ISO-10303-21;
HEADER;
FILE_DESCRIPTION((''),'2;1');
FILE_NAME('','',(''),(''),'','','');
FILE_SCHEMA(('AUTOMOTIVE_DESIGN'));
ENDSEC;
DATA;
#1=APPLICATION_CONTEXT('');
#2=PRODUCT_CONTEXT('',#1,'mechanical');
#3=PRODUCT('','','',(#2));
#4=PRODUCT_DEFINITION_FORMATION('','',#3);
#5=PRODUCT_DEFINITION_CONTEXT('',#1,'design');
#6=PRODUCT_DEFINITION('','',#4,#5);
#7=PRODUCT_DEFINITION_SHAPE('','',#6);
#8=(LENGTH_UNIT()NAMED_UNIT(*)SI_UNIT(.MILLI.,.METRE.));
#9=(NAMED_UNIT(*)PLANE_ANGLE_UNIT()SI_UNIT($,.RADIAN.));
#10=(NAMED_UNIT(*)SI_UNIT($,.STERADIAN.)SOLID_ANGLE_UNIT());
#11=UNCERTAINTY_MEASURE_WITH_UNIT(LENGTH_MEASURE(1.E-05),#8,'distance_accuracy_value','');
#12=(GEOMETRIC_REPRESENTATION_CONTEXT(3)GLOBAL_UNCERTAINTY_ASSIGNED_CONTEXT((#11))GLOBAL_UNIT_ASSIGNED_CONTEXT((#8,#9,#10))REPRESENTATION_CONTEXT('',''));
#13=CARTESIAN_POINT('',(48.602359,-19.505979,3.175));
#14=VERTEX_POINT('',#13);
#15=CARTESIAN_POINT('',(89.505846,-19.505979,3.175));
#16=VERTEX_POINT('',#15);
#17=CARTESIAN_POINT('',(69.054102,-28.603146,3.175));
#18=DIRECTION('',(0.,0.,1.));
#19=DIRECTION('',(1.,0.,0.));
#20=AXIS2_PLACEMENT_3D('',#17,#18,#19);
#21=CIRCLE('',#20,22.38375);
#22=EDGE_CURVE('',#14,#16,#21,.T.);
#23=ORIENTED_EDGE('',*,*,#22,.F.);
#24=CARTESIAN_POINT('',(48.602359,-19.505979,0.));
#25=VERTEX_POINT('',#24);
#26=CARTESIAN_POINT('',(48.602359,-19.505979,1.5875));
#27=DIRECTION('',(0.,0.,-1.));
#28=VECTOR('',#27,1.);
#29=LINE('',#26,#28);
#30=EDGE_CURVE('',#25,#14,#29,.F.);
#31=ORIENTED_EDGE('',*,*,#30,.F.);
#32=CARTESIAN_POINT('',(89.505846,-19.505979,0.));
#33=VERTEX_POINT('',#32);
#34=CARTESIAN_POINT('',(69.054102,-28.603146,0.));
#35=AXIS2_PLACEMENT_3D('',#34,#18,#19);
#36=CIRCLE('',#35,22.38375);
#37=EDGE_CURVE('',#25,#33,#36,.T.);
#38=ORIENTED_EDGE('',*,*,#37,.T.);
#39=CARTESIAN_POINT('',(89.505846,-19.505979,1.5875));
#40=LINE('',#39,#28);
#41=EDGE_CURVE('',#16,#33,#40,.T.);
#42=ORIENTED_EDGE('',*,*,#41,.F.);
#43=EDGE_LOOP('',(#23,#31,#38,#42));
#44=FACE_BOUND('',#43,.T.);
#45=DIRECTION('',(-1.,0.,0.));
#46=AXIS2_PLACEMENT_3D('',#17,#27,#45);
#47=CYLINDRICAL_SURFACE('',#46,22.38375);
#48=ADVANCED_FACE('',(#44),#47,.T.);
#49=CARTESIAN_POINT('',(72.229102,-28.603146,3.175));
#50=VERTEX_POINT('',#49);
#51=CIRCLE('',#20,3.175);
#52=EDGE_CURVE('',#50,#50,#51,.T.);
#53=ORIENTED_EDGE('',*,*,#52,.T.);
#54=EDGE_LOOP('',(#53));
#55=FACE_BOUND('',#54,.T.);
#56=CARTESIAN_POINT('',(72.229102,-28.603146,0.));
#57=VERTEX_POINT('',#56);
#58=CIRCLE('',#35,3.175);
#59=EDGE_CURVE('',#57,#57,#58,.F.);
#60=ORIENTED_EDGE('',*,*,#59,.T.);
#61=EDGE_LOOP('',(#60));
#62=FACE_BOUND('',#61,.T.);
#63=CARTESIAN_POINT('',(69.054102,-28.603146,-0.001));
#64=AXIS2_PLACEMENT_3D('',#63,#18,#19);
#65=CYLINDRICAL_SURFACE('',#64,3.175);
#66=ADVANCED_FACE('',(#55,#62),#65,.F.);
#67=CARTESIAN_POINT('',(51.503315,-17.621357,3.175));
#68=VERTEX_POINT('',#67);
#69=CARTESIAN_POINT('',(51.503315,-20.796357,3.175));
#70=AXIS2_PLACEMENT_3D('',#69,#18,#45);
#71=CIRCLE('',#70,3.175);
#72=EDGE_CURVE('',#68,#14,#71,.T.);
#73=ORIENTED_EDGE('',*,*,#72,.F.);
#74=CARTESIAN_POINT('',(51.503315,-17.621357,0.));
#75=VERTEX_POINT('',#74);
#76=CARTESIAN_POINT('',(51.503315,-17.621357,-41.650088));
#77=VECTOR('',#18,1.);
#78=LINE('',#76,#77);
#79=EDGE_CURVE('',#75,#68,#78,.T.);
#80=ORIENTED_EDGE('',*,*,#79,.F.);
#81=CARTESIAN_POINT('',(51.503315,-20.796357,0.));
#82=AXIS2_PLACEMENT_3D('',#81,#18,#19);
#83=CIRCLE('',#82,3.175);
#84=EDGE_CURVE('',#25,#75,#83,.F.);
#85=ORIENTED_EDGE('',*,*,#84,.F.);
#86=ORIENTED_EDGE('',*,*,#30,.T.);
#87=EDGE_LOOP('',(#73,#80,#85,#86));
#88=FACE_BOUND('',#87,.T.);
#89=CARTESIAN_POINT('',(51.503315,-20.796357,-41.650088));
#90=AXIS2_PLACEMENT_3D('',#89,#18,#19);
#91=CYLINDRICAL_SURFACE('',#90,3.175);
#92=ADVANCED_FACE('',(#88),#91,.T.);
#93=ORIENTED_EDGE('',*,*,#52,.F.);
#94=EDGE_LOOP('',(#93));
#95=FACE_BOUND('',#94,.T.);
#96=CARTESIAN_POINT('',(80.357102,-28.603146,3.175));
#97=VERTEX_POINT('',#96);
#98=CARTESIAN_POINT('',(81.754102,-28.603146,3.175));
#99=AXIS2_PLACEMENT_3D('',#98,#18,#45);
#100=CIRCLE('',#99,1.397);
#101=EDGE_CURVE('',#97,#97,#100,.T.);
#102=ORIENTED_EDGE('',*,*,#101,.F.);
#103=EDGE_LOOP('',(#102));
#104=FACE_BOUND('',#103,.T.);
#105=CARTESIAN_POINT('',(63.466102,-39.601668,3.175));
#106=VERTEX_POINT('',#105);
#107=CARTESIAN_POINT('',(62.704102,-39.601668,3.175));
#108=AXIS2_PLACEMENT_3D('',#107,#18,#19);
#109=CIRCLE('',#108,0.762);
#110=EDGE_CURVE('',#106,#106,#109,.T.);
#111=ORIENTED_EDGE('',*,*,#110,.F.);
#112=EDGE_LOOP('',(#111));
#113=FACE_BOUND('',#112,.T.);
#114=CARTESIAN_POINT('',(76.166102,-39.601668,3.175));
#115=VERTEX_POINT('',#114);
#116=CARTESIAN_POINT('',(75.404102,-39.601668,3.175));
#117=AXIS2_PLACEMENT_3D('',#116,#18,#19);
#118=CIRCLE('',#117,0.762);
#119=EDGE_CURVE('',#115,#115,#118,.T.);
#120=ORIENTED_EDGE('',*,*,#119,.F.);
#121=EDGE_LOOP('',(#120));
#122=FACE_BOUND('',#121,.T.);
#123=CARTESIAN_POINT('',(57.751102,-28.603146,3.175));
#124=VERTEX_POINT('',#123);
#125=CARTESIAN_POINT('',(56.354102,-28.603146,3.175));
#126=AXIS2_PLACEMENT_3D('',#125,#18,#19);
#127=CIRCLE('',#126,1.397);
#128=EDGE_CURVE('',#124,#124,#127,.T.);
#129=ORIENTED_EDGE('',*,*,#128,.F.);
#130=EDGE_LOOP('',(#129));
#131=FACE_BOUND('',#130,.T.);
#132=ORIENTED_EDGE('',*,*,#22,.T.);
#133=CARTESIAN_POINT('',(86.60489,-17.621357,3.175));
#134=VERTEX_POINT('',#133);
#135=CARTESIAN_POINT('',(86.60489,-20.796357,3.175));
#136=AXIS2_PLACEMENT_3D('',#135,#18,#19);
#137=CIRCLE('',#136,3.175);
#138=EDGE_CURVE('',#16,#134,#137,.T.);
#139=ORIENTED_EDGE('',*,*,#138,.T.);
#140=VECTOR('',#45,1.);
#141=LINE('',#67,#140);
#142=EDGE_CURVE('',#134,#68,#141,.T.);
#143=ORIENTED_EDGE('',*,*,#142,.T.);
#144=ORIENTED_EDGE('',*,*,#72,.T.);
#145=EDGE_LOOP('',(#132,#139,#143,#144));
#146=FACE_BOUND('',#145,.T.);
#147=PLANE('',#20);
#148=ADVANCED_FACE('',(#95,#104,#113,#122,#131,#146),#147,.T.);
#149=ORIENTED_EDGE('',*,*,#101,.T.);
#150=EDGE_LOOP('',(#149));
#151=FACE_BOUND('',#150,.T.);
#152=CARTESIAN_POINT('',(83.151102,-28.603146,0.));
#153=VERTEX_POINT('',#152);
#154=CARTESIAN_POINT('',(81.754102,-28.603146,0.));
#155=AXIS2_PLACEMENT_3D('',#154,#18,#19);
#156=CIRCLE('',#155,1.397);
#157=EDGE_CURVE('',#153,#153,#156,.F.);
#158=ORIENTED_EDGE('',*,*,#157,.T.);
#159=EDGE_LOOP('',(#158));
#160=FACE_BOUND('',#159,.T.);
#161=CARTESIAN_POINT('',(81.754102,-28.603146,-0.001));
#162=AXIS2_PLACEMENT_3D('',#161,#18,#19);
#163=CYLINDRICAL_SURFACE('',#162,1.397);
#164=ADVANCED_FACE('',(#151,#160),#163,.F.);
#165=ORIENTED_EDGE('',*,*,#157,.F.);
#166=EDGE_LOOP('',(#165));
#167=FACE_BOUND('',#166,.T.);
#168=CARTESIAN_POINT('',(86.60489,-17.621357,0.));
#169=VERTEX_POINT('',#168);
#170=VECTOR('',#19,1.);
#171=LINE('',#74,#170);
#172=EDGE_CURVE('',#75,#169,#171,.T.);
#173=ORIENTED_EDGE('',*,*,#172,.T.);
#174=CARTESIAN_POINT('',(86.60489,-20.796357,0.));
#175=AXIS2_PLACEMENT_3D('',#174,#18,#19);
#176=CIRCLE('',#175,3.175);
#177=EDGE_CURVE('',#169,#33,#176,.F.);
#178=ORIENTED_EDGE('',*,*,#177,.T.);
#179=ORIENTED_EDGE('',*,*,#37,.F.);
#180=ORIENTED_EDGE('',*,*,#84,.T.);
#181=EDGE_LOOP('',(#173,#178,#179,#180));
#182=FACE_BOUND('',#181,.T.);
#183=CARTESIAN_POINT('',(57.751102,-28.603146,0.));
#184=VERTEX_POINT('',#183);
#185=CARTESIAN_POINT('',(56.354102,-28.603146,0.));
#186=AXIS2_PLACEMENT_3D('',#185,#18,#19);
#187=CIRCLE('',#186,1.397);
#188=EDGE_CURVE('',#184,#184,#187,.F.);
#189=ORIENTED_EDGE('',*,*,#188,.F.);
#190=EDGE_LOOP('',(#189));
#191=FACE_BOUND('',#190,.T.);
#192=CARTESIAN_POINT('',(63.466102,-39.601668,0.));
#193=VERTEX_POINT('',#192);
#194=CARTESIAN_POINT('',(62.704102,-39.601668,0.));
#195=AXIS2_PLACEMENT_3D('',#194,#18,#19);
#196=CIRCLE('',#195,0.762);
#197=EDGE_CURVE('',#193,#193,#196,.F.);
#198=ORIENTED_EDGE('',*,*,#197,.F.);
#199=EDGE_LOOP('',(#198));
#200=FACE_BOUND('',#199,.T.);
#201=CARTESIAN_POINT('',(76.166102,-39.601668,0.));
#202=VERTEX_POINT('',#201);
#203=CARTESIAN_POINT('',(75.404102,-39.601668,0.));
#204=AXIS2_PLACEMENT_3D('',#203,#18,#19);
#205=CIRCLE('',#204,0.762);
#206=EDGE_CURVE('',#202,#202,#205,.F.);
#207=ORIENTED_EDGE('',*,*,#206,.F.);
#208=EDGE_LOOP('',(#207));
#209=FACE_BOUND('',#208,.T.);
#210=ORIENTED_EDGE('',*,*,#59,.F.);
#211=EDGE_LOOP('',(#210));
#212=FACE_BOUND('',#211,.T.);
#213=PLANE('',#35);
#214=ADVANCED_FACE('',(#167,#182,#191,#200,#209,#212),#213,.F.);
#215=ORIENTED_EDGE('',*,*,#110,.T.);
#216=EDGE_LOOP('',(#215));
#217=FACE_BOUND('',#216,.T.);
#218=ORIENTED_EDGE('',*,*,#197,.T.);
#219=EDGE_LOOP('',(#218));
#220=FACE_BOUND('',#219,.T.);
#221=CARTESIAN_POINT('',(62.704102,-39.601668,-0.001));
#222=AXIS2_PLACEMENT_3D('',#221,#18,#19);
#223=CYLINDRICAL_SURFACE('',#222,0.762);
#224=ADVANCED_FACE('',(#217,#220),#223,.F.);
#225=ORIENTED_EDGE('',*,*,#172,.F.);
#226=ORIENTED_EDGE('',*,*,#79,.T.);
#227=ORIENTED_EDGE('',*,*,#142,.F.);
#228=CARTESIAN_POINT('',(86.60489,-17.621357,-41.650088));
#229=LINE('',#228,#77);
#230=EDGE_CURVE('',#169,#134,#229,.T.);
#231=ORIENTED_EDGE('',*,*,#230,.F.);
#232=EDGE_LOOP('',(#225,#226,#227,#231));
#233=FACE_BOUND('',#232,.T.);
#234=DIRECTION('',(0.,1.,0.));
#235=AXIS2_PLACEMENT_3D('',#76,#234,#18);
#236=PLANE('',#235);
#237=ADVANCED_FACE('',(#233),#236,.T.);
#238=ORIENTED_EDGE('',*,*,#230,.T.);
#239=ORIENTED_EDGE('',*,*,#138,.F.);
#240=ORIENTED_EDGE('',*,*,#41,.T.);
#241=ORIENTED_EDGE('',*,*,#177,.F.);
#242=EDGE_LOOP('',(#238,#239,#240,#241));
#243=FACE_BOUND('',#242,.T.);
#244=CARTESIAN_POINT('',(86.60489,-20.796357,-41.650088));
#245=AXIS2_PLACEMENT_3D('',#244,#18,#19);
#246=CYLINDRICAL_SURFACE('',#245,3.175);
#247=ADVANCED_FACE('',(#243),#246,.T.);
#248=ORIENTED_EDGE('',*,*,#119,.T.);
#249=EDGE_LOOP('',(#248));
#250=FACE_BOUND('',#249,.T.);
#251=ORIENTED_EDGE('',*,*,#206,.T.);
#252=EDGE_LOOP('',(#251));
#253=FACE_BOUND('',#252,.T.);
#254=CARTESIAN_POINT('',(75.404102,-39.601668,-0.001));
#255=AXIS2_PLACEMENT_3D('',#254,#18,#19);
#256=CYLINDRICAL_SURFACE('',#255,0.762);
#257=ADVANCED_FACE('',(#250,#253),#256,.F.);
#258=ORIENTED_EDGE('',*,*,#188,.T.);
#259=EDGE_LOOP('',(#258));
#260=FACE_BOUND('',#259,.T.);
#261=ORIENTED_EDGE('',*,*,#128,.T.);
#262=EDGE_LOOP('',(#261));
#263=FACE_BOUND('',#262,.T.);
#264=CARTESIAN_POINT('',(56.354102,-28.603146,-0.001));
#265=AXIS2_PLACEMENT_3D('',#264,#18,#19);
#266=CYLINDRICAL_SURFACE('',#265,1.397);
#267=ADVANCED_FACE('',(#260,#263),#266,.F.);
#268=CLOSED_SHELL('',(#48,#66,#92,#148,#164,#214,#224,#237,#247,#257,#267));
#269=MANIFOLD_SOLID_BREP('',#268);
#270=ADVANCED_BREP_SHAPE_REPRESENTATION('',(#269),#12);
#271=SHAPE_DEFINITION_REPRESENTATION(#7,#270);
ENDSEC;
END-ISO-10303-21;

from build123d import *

# Parameters (mm, degrees)
SKETCH1_R           = 22.38375
BOSS_EXTRUDE1_DEPTH = 3.175
CUT_EXTRUDE1_REACH  = 5.175
SKETCH2_R           = 38.03700281
CUT_EXTRUDE3_REACH  = 5.175
SKETCH4_R           = 1.397
SKETCH4_R_2         = 0.762
BOSS_EXTRUDE2_DEPTH = 3.175
CUT_EXTRUDE4_REACH  = 5.175
SKETCH8_R           = 3.175


with BuildPart() as part:
    # Sketch1 → Boss-Extrude1 (new body)
    with BuildSketch(Plane.XY):
        with Locations((69.054102373, -28.60314574)):
            Circle(SKETCH1_R)
    extrude(amount=BOSS_EXTRUDE1_DEPTH)

    # Sketch2 → Cut-Extrude1 (cut, up to next)
    with BuildSketch(Plane.XY.offset(3.175), mode=Mode.PRIVATE) as cut_extrude1_sk1:
        with Locations((69.054102373, 12.564876285)):
            Circle(SKETCH2_R)
    cut_extrude1_tool1 = extrude(cut_extrude1_sk1.sketch, amount=-CUT_EXTRUDE1_REACH, mode=Mode.PRIVATE) & part.part
    add(cut_extrude1_tool1.solids().sort_by_distance((69.054102, 12.564876, 3.175))[0], mode=Mode.SUBTRACT)

    # Sketch4 → Cut-Extrude3 (cut, up to next)
    with BuildSketch(Plane.XY.offset(3.175), mode=Mode.PRIVATE) as cut_extrude3_sk1:
        with Locations((56.354102373, -28.60314574)):
            Circle(SKETCH4_R)
    cut_extrude3_tool1 = extrude(cut_extrude3_sk1.sketch, amount=-CUT_EXTRUDE3_REACH, mode=Mode.PRIVATE) & part.part
    add(cut_extrude3_tool1.solids().sort_by_distance((56.354102, -28.603146, 3.175))[0], mode=Mode.SUBTRACT)
    # Sketch4 → Cut-Extrude3 (cut, up to next)
    with BuildSketch(Plane.XY.offset(3.175), mode=Mode.PRIVATE) as cut_extrude3_sk2:
        with Locations((81.754102373, -28.60314574)):
            Circle(SKETCH4_R)
    cut_extrude3_tool2 = extrude(cut_extrude3_sk2.sketch, amount=-CUT_EXTRUDE3_REACH, mode=Mode.PRIVATE) & part.part
    add(cut_extrude3_tool2.solids().sort_by_distance((81.754102, -28.603146, 3.175))[0], mode=Mode.SUBTRACT)
    # Sketch4 → Cut-Extrude3 (cut, up to next)
    with BuildSketch(Plane.XY.offset(3.175), mode=Mode.PRIVATE) as cut_extrude3_sk3:
        with Locations((62.704102373, -39.601668368)):
            Circle(SKETCH4_R_2)
    cut_extrude3_tool3 = extrude(cut_extrude3_sk3.sketch, amount=-CUT_EXTRUDE3_REACH, mode=Mode.PRIVATE) & part.part
    add(cut_extrude3_tool3.solids().sort_by_distance((62.704102, -39.601668, 3.175))[0], mode=Mode.SUBTRACT)
    # Sketch4 → Cut-Extrude3 (cut, up to next)
    with BuildSketch(Plane.XY.offset(3.175), mode=Mode.PRIVATE) as cut_extrude3_sk4:
        with Locations((75.404102373, -39.601668368)):
            Circle(SKETCH4_R_2)
    cut_extrude3_tool4 = extrude(cut_extrude3_sk4.sketch, amount=-CUT_EXTRUDE3_REACH, mode=Mode.PRIVATE) & part.part
    add(cut_extrude3_tool4.solids().sort_by_distance((75.404102, -39.601668, 3.175))[0], mode=Mode.SUBTRACT)

    # Sketch7 → Boss-Extrude2 (add)
    with BuildSketch(Plane.XY.offset(3.175)):
        with BuildLine():
            Line((51.503315193, -17.621357289), (86.604889553, -17.621357289))
            ThreePointArc((86.604889553, -17.621357289), (88.334582305, -18.133879499), (89.505846111, -19.505979033))
            ThreePointArc((89.505846111, -19.505979033), (69.054102373, -25.472126525), (48.602358634, -19.505979033))
            ThreePointArc((48.602358634, -19.505979033), (49.77362244, -18.133879499), (51.503315193, -17.621357289))
        make_face()
    extrude(amount=-BOSS_EXTRUDE2_DEPTH)

    # Sketch8 → Cut-Extrude4 (cut, up to next)
    with BuildSketch(Plane.XY.offset(3.175), mode=Mode.PRIVATE) as cut_extrude4_sk1:
        with Locations((69.054102373, -28.60314574)):
            Circle(SKETCH8_R)
    cut_extrude4_tool1 = extrude(cut_extrude4_sk1.sketch, amount=-CUT_EXTRUDE4_REACH, mode=Mode.PRIVATE) & part.part
    add(cut_extrude4_tool1.solids().sort_by_distance((69.054102, -28.603146, 3.175))[0], mode=Mode.SUBTRACT)


solid = part.part
